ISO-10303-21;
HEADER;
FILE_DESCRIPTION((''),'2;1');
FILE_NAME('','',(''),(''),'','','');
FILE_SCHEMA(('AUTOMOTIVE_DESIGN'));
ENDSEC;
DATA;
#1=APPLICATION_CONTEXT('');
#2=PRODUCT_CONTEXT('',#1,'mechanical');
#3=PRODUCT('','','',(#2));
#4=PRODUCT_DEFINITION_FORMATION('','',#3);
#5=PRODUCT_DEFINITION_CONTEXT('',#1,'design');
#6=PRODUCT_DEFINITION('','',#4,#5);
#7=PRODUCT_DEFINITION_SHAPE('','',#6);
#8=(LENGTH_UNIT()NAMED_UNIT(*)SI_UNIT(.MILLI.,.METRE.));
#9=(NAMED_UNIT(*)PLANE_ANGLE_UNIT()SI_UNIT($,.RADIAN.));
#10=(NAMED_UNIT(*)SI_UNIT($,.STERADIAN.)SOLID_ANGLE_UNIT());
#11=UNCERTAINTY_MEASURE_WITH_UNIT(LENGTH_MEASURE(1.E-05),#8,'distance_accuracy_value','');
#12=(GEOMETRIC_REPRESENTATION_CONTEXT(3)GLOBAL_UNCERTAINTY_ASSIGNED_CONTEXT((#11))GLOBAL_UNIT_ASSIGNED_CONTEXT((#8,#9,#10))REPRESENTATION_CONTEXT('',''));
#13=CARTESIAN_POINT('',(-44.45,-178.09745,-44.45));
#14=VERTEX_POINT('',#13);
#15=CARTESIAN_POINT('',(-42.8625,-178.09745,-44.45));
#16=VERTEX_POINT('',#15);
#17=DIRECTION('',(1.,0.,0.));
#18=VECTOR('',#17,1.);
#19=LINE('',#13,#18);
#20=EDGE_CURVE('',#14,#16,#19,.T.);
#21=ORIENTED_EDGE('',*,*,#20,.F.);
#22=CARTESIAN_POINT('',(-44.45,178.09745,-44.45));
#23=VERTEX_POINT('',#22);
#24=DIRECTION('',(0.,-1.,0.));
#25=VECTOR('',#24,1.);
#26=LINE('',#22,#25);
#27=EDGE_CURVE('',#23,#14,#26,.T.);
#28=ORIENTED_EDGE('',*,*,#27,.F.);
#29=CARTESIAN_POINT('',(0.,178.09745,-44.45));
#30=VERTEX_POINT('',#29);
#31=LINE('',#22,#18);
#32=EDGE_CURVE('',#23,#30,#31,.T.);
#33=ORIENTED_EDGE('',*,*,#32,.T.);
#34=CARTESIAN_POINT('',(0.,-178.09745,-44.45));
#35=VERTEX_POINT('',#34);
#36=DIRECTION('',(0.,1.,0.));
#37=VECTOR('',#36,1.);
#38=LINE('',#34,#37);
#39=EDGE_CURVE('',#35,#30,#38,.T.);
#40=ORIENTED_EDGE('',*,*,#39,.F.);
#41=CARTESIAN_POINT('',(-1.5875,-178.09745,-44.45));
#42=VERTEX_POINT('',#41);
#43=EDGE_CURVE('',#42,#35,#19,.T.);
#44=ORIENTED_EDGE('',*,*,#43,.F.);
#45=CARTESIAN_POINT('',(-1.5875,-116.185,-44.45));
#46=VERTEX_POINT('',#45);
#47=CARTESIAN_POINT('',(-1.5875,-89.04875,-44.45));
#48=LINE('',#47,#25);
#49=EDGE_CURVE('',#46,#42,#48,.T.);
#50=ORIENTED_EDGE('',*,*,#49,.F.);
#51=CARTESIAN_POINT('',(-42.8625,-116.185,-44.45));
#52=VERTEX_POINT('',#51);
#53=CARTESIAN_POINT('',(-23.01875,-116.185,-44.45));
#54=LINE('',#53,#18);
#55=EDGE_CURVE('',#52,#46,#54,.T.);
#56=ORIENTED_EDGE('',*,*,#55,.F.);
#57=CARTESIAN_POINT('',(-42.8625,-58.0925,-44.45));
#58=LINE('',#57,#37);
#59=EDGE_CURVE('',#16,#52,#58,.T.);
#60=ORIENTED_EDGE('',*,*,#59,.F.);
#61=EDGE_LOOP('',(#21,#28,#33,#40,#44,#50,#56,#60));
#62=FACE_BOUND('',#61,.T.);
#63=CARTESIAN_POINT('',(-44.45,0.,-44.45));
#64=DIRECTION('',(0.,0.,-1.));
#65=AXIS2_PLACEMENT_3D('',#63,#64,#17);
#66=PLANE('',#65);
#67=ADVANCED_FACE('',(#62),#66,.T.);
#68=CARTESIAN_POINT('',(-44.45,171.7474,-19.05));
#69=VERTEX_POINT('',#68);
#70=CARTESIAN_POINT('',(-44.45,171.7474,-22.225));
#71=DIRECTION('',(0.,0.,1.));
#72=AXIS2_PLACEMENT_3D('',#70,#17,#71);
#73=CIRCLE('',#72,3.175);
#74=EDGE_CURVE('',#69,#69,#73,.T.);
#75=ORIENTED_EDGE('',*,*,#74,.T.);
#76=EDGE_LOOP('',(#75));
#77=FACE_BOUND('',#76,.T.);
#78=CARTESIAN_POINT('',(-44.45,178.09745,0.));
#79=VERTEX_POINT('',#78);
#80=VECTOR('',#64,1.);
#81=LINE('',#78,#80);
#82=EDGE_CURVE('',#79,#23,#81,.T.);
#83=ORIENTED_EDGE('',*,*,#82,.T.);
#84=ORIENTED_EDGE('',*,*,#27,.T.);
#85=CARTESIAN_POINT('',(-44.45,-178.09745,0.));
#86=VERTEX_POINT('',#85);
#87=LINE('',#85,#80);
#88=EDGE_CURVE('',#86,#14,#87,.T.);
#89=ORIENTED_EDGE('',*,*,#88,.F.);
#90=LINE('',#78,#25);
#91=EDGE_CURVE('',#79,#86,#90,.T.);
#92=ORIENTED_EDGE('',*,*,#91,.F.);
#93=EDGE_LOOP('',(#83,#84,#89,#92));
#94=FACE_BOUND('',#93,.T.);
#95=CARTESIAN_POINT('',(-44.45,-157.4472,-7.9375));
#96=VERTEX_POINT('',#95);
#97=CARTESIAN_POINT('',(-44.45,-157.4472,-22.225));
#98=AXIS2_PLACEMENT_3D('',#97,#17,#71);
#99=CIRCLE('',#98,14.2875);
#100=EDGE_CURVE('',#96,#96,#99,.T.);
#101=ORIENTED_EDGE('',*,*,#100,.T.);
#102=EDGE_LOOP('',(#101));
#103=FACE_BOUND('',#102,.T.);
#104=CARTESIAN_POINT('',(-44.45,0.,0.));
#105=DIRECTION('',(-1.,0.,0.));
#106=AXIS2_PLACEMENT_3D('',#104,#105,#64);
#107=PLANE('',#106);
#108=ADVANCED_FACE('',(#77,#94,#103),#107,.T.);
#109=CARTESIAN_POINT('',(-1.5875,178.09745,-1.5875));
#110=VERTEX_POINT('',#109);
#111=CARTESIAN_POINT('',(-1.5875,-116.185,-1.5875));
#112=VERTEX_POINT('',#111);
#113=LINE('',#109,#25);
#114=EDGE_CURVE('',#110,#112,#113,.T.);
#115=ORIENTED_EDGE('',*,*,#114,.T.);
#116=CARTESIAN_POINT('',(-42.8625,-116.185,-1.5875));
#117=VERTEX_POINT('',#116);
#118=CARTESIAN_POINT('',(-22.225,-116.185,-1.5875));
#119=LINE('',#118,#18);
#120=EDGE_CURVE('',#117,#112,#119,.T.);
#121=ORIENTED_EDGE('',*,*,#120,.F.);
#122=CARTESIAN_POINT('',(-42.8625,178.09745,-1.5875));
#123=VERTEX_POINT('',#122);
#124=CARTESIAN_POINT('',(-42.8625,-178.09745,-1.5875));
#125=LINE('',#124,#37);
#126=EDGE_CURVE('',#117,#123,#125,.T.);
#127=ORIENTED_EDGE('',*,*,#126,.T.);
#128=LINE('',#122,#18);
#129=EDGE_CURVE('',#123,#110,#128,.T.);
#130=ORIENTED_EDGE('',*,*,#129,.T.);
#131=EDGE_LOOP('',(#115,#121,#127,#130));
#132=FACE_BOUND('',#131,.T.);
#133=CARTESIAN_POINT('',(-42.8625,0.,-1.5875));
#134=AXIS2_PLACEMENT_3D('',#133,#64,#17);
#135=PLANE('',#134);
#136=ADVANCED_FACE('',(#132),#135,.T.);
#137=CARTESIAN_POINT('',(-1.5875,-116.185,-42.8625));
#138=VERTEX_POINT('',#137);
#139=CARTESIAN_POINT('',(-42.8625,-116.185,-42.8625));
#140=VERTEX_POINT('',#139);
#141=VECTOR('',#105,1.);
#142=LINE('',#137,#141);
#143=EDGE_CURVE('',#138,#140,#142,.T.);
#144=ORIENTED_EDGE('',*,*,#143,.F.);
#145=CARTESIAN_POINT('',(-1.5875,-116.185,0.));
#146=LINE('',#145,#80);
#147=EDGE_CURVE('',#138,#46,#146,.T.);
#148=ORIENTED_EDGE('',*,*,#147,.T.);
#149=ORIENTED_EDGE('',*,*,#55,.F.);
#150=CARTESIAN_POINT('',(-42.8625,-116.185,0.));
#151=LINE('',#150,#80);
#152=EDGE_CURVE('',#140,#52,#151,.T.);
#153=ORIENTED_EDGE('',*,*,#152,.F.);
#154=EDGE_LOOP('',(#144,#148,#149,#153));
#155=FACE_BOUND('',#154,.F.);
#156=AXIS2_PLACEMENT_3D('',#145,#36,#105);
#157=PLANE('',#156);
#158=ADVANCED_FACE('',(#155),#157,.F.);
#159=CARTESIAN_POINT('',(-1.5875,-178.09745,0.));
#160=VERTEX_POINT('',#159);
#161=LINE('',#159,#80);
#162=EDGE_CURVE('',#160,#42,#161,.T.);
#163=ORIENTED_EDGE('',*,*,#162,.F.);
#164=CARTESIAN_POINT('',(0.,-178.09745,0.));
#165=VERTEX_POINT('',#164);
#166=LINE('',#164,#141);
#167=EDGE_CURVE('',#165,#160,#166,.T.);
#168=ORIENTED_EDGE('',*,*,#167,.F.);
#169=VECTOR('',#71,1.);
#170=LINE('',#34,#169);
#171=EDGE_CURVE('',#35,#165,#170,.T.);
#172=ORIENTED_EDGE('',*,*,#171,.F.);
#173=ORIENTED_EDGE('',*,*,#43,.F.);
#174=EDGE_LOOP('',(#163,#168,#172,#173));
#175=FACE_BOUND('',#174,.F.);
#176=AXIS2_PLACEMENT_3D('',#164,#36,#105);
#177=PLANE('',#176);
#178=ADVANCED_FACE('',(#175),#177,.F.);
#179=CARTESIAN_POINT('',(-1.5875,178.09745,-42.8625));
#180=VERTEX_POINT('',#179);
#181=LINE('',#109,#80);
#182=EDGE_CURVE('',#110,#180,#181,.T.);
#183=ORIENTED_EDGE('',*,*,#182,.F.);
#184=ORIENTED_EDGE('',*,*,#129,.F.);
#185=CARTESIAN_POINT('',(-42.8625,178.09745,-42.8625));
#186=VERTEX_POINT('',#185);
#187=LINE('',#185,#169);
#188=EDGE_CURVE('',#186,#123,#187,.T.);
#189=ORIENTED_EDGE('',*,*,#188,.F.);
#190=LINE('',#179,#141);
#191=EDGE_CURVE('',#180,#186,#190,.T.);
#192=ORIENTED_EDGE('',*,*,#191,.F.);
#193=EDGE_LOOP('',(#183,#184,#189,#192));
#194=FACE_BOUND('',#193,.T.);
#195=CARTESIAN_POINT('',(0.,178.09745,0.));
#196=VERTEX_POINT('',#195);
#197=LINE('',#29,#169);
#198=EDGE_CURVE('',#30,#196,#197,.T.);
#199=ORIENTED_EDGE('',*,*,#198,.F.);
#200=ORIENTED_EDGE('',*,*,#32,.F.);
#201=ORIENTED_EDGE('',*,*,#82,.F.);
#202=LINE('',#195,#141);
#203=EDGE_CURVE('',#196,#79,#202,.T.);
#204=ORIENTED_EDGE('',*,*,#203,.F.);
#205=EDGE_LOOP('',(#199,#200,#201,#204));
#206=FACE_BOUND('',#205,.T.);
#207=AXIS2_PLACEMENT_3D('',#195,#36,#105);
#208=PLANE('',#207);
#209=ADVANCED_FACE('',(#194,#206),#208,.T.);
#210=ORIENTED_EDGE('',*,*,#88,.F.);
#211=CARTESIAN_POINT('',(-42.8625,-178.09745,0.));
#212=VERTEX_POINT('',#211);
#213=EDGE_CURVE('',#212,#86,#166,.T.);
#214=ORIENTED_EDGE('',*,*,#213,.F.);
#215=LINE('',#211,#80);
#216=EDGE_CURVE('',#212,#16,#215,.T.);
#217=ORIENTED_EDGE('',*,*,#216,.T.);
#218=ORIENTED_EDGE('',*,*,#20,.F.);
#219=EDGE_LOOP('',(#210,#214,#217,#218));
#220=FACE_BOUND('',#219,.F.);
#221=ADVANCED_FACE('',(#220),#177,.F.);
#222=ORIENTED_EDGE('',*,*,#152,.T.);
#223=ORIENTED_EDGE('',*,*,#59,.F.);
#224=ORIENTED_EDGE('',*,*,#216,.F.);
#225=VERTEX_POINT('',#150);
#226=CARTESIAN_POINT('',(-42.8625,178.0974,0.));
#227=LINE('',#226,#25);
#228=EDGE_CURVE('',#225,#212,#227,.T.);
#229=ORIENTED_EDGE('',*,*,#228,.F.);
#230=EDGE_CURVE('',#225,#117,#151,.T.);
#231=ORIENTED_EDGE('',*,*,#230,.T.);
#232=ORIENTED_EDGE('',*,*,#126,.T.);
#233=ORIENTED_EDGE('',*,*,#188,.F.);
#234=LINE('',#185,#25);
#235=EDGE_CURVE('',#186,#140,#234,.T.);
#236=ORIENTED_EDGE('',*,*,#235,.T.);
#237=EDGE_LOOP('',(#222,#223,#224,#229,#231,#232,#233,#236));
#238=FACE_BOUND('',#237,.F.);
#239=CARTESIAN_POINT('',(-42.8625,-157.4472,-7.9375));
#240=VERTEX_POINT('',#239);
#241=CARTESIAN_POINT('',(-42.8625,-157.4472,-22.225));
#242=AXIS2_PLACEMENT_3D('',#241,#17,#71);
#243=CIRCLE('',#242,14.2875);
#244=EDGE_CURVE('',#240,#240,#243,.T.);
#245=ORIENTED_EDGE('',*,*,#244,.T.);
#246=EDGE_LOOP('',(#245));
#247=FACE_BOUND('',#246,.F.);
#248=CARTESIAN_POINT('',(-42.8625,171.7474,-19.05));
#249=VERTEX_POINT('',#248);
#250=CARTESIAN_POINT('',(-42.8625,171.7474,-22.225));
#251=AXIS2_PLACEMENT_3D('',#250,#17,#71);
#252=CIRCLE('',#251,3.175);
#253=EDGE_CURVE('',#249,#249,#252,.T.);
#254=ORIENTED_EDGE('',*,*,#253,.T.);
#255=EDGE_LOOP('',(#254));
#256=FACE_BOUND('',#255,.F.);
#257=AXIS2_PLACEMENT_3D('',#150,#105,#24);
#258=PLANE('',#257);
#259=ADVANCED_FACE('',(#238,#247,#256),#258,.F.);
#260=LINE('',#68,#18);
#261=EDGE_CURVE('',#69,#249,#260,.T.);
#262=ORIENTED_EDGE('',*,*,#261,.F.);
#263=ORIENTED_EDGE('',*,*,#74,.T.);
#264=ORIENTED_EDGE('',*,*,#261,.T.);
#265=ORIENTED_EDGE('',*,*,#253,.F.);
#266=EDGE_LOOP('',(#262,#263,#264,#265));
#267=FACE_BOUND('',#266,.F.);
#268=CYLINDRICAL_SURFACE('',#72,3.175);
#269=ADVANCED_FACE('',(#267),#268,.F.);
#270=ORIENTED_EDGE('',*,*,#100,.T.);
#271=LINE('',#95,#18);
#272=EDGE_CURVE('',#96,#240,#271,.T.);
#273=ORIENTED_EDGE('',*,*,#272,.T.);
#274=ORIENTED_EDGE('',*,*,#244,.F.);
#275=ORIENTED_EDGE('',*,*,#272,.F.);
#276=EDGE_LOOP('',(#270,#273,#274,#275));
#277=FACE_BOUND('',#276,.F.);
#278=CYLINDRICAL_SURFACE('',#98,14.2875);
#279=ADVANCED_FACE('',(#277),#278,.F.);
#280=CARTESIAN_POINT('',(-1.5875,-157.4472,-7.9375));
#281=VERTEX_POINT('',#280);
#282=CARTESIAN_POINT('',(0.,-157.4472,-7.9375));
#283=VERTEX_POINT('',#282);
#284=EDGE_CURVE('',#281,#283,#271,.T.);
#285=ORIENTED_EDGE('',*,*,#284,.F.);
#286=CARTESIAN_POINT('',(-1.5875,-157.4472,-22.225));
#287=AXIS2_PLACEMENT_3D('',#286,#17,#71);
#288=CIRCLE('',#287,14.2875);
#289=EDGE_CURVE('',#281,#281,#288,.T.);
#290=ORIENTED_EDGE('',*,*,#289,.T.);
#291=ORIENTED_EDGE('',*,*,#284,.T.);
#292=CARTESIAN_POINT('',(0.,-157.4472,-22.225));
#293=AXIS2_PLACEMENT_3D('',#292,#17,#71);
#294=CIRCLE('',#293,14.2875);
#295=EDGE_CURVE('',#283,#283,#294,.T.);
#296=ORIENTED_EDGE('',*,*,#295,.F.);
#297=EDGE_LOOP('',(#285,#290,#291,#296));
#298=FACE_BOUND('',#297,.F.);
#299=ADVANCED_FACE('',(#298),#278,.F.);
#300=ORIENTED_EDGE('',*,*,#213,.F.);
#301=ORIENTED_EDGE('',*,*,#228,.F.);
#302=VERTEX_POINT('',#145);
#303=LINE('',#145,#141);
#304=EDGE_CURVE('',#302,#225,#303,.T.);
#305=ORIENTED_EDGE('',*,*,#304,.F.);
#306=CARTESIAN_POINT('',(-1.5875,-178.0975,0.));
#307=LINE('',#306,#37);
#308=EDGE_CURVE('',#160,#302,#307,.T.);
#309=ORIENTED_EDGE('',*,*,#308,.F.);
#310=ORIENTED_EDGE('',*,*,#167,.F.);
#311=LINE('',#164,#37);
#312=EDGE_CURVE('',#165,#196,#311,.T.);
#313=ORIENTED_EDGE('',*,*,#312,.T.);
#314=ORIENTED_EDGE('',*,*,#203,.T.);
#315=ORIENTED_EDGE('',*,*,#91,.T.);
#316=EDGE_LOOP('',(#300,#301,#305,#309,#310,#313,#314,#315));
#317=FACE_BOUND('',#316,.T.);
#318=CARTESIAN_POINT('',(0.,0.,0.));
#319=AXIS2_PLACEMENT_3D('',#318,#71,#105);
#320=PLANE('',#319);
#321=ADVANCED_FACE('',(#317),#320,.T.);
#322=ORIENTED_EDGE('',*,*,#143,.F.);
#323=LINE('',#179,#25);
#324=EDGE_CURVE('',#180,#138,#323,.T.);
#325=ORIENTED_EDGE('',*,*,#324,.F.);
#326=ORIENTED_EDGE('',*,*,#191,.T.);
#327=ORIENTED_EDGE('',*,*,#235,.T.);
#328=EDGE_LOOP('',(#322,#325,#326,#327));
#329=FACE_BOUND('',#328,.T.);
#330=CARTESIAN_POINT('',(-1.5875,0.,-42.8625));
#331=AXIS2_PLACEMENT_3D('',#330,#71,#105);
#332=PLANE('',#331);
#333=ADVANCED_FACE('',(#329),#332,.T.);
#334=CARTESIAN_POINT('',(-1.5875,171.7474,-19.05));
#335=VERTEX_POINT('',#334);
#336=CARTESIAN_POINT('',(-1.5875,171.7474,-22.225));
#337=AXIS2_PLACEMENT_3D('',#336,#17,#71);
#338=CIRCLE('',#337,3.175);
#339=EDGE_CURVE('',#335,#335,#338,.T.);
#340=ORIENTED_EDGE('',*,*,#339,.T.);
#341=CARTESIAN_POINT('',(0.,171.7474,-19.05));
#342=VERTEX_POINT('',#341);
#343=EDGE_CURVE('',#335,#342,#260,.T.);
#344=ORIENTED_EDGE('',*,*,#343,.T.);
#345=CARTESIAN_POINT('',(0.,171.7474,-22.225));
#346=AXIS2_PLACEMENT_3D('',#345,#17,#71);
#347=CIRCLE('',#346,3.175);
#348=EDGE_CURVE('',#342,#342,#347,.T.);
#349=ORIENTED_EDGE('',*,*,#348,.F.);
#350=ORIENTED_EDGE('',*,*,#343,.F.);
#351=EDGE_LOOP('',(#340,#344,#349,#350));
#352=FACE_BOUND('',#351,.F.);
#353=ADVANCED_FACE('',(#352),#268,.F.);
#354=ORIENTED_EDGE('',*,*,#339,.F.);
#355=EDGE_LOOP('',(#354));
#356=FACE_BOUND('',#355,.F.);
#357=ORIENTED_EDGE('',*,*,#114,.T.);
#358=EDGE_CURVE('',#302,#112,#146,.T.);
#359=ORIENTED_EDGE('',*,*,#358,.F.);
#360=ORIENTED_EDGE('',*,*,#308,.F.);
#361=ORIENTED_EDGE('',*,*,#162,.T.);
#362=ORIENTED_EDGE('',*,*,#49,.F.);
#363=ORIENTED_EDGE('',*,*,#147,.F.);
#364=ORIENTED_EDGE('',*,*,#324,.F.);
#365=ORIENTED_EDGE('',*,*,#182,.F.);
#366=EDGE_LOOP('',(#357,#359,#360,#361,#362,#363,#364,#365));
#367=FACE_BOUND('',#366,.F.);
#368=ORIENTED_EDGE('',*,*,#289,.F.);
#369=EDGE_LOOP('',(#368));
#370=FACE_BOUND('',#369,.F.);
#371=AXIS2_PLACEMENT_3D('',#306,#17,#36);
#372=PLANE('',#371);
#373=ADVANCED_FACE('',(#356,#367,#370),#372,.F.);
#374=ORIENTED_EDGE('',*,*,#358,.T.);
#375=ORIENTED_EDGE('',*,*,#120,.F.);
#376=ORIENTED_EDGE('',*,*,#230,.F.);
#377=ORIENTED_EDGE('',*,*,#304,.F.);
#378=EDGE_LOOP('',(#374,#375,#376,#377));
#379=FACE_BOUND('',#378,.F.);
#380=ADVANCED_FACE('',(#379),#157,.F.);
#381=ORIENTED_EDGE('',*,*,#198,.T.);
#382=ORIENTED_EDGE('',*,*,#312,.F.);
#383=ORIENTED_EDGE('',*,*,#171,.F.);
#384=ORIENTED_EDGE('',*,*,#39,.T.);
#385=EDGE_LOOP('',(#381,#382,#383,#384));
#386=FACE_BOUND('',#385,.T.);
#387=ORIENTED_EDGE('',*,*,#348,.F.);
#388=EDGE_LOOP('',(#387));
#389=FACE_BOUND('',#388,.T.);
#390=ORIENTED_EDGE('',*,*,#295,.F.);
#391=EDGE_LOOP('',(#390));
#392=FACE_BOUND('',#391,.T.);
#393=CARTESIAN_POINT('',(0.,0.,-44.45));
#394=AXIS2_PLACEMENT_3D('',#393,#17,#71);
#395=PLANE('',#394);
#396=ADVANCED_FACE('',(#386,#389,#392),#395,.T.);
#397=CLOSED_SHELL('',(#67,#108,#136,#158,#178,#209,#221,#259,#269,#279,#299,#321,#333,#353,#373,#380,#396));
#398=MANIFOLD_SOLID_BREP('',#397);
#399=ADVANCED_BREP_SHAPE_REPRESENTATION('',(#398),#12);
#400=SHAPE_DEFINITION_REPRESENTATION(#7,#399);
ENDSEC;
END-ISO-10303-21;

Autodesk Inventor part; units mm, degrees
ref_plane "YZ Plane" through (0, 0, 0) normal (1, 0, 0) x (0, 1, 0)
ref_plane "XZ Plane" through (0, 0, 0) normal (0, 1, 0) x (-1, 0, 0)
ref_plane "XY Plane" through (0, 0, 0) normal (0, 0, 1) x (1, 0, 0)
sketch "Sketch1" plane through (0, 0, 0) normal (0, 1, 0) x (-1, 0, 0)
  line L0 (0, 0) -> (44.45, 0)
  line L1 (44.45, 0) -> (44.45, -44.45)
  line L2 (44.45, -44.45) -> (0, -44.45)
  line L3 (0, -44.45) -> (0, 0)
  line L4 (42.8625, -1.5875) -> (1.5875, -1.5875)
  line L5 (1.5875, -1.5875) -> (1.5875, -42.8625)
  line L6 (1.5875, -42.8625) -> (42.8625, -42.8625)
  line L7 (42.8625, -42.8625) -> (42.8625, -1.5875)
  dimension "d0" = 44.45
  dimension "d2" = 1.5875
extrude "Extrusion1" add sketch "Sketch1" along normal mid plane 356.1949
ref_plane "Work Plane1" through (-22.225, -178.0974, -44.45) normal (1, 0, 0) x (0, 0, -1)
sketch "Sketch2" plane through (-44.45, -178.0974, 0) normal (-1, 0, 0) x (0, 0, 1)
  line L0 (-44.45, 356.1949) -> (0, 356.1949) projected
  line L1 (0, 356.1949) -> (0, 0) projected
  line L2 (-44.45, 356.1949) -> (-44.45, 0) projected
  point P0 (0, 178.0974)
  point P1 (-22.225, 349.8449)
  dimension "d5" = 6.35
  dimension "d17" = 22.225
hole "Hole1" at (-44.45, 171.7474, -22.225) direction (1, 0, 0) diameter 6.35 end through all
ref_plane "Work Plane2" through (-44.45, 178.0974, -22.225) normal (0, 0, 1) x (1, 0, 0)
sketch "Sketch3" plane through (-44.45, 178.0974, 0) normal (0, 0, 1) x (1, 0, 0)
  line L0 (44.45, -356.1949) -> (44.45, 0) projected
  line L1 (0, 0) -> (44.45, 0) projected
  line L2 (0, 0) -> (0, -356.1949) projected
  line L3 (44.45, -356.1949) -> (0, -356.1949) projected
  line L4 (1.5875, 0) -> (1.5875, -356.1949) projected
  line L5 (42.8625, -356.1949) -> (42.8625, 0) projected
  line L6 (1.5875, -356.1949) -> (42.8625, -356.1949) projected
  line L7 (1.5875, -356.1949) -> (42.8625, -356.1949)
  line L8 (42.8625, -356.1949) -> (42.8625, -294.2824)
  line L9 (42.8625, -294.2824) -> (1.5875, -294.2824)
  line L10 (1.5875, -294.2824) -> (1.5875, -356.1949)
  point P0 (44.45, -178.0974)
  dimension "d14" = 61.9125
extrude "Extrusion2" cut sketch "Sketch3" against normal through all contours L3 L4 L9 L5
sketch "Sketch4" plane through (-44.45, -178.0974, 0) normal (-1, 0, 0) x (0, 0, 1)
  line L0 (-44.45, 356.1949) -> (-44.45, 0) projected
  line L1 (0, 0) -> (-44.45, 0) projected
  point P0 (0, 178.0974)
  point P1 (-22.225, 20.6502)
  dimension "d18" = 22.225
  dimension "d19" = 20.6502
hole "Hole2" at (-44.45, -157.4472, -22.225) direction (1, 0, 0) diameter 28.575 end through all
properties part number "CAR_025_KickerBar" material "Aluminum 6061"
